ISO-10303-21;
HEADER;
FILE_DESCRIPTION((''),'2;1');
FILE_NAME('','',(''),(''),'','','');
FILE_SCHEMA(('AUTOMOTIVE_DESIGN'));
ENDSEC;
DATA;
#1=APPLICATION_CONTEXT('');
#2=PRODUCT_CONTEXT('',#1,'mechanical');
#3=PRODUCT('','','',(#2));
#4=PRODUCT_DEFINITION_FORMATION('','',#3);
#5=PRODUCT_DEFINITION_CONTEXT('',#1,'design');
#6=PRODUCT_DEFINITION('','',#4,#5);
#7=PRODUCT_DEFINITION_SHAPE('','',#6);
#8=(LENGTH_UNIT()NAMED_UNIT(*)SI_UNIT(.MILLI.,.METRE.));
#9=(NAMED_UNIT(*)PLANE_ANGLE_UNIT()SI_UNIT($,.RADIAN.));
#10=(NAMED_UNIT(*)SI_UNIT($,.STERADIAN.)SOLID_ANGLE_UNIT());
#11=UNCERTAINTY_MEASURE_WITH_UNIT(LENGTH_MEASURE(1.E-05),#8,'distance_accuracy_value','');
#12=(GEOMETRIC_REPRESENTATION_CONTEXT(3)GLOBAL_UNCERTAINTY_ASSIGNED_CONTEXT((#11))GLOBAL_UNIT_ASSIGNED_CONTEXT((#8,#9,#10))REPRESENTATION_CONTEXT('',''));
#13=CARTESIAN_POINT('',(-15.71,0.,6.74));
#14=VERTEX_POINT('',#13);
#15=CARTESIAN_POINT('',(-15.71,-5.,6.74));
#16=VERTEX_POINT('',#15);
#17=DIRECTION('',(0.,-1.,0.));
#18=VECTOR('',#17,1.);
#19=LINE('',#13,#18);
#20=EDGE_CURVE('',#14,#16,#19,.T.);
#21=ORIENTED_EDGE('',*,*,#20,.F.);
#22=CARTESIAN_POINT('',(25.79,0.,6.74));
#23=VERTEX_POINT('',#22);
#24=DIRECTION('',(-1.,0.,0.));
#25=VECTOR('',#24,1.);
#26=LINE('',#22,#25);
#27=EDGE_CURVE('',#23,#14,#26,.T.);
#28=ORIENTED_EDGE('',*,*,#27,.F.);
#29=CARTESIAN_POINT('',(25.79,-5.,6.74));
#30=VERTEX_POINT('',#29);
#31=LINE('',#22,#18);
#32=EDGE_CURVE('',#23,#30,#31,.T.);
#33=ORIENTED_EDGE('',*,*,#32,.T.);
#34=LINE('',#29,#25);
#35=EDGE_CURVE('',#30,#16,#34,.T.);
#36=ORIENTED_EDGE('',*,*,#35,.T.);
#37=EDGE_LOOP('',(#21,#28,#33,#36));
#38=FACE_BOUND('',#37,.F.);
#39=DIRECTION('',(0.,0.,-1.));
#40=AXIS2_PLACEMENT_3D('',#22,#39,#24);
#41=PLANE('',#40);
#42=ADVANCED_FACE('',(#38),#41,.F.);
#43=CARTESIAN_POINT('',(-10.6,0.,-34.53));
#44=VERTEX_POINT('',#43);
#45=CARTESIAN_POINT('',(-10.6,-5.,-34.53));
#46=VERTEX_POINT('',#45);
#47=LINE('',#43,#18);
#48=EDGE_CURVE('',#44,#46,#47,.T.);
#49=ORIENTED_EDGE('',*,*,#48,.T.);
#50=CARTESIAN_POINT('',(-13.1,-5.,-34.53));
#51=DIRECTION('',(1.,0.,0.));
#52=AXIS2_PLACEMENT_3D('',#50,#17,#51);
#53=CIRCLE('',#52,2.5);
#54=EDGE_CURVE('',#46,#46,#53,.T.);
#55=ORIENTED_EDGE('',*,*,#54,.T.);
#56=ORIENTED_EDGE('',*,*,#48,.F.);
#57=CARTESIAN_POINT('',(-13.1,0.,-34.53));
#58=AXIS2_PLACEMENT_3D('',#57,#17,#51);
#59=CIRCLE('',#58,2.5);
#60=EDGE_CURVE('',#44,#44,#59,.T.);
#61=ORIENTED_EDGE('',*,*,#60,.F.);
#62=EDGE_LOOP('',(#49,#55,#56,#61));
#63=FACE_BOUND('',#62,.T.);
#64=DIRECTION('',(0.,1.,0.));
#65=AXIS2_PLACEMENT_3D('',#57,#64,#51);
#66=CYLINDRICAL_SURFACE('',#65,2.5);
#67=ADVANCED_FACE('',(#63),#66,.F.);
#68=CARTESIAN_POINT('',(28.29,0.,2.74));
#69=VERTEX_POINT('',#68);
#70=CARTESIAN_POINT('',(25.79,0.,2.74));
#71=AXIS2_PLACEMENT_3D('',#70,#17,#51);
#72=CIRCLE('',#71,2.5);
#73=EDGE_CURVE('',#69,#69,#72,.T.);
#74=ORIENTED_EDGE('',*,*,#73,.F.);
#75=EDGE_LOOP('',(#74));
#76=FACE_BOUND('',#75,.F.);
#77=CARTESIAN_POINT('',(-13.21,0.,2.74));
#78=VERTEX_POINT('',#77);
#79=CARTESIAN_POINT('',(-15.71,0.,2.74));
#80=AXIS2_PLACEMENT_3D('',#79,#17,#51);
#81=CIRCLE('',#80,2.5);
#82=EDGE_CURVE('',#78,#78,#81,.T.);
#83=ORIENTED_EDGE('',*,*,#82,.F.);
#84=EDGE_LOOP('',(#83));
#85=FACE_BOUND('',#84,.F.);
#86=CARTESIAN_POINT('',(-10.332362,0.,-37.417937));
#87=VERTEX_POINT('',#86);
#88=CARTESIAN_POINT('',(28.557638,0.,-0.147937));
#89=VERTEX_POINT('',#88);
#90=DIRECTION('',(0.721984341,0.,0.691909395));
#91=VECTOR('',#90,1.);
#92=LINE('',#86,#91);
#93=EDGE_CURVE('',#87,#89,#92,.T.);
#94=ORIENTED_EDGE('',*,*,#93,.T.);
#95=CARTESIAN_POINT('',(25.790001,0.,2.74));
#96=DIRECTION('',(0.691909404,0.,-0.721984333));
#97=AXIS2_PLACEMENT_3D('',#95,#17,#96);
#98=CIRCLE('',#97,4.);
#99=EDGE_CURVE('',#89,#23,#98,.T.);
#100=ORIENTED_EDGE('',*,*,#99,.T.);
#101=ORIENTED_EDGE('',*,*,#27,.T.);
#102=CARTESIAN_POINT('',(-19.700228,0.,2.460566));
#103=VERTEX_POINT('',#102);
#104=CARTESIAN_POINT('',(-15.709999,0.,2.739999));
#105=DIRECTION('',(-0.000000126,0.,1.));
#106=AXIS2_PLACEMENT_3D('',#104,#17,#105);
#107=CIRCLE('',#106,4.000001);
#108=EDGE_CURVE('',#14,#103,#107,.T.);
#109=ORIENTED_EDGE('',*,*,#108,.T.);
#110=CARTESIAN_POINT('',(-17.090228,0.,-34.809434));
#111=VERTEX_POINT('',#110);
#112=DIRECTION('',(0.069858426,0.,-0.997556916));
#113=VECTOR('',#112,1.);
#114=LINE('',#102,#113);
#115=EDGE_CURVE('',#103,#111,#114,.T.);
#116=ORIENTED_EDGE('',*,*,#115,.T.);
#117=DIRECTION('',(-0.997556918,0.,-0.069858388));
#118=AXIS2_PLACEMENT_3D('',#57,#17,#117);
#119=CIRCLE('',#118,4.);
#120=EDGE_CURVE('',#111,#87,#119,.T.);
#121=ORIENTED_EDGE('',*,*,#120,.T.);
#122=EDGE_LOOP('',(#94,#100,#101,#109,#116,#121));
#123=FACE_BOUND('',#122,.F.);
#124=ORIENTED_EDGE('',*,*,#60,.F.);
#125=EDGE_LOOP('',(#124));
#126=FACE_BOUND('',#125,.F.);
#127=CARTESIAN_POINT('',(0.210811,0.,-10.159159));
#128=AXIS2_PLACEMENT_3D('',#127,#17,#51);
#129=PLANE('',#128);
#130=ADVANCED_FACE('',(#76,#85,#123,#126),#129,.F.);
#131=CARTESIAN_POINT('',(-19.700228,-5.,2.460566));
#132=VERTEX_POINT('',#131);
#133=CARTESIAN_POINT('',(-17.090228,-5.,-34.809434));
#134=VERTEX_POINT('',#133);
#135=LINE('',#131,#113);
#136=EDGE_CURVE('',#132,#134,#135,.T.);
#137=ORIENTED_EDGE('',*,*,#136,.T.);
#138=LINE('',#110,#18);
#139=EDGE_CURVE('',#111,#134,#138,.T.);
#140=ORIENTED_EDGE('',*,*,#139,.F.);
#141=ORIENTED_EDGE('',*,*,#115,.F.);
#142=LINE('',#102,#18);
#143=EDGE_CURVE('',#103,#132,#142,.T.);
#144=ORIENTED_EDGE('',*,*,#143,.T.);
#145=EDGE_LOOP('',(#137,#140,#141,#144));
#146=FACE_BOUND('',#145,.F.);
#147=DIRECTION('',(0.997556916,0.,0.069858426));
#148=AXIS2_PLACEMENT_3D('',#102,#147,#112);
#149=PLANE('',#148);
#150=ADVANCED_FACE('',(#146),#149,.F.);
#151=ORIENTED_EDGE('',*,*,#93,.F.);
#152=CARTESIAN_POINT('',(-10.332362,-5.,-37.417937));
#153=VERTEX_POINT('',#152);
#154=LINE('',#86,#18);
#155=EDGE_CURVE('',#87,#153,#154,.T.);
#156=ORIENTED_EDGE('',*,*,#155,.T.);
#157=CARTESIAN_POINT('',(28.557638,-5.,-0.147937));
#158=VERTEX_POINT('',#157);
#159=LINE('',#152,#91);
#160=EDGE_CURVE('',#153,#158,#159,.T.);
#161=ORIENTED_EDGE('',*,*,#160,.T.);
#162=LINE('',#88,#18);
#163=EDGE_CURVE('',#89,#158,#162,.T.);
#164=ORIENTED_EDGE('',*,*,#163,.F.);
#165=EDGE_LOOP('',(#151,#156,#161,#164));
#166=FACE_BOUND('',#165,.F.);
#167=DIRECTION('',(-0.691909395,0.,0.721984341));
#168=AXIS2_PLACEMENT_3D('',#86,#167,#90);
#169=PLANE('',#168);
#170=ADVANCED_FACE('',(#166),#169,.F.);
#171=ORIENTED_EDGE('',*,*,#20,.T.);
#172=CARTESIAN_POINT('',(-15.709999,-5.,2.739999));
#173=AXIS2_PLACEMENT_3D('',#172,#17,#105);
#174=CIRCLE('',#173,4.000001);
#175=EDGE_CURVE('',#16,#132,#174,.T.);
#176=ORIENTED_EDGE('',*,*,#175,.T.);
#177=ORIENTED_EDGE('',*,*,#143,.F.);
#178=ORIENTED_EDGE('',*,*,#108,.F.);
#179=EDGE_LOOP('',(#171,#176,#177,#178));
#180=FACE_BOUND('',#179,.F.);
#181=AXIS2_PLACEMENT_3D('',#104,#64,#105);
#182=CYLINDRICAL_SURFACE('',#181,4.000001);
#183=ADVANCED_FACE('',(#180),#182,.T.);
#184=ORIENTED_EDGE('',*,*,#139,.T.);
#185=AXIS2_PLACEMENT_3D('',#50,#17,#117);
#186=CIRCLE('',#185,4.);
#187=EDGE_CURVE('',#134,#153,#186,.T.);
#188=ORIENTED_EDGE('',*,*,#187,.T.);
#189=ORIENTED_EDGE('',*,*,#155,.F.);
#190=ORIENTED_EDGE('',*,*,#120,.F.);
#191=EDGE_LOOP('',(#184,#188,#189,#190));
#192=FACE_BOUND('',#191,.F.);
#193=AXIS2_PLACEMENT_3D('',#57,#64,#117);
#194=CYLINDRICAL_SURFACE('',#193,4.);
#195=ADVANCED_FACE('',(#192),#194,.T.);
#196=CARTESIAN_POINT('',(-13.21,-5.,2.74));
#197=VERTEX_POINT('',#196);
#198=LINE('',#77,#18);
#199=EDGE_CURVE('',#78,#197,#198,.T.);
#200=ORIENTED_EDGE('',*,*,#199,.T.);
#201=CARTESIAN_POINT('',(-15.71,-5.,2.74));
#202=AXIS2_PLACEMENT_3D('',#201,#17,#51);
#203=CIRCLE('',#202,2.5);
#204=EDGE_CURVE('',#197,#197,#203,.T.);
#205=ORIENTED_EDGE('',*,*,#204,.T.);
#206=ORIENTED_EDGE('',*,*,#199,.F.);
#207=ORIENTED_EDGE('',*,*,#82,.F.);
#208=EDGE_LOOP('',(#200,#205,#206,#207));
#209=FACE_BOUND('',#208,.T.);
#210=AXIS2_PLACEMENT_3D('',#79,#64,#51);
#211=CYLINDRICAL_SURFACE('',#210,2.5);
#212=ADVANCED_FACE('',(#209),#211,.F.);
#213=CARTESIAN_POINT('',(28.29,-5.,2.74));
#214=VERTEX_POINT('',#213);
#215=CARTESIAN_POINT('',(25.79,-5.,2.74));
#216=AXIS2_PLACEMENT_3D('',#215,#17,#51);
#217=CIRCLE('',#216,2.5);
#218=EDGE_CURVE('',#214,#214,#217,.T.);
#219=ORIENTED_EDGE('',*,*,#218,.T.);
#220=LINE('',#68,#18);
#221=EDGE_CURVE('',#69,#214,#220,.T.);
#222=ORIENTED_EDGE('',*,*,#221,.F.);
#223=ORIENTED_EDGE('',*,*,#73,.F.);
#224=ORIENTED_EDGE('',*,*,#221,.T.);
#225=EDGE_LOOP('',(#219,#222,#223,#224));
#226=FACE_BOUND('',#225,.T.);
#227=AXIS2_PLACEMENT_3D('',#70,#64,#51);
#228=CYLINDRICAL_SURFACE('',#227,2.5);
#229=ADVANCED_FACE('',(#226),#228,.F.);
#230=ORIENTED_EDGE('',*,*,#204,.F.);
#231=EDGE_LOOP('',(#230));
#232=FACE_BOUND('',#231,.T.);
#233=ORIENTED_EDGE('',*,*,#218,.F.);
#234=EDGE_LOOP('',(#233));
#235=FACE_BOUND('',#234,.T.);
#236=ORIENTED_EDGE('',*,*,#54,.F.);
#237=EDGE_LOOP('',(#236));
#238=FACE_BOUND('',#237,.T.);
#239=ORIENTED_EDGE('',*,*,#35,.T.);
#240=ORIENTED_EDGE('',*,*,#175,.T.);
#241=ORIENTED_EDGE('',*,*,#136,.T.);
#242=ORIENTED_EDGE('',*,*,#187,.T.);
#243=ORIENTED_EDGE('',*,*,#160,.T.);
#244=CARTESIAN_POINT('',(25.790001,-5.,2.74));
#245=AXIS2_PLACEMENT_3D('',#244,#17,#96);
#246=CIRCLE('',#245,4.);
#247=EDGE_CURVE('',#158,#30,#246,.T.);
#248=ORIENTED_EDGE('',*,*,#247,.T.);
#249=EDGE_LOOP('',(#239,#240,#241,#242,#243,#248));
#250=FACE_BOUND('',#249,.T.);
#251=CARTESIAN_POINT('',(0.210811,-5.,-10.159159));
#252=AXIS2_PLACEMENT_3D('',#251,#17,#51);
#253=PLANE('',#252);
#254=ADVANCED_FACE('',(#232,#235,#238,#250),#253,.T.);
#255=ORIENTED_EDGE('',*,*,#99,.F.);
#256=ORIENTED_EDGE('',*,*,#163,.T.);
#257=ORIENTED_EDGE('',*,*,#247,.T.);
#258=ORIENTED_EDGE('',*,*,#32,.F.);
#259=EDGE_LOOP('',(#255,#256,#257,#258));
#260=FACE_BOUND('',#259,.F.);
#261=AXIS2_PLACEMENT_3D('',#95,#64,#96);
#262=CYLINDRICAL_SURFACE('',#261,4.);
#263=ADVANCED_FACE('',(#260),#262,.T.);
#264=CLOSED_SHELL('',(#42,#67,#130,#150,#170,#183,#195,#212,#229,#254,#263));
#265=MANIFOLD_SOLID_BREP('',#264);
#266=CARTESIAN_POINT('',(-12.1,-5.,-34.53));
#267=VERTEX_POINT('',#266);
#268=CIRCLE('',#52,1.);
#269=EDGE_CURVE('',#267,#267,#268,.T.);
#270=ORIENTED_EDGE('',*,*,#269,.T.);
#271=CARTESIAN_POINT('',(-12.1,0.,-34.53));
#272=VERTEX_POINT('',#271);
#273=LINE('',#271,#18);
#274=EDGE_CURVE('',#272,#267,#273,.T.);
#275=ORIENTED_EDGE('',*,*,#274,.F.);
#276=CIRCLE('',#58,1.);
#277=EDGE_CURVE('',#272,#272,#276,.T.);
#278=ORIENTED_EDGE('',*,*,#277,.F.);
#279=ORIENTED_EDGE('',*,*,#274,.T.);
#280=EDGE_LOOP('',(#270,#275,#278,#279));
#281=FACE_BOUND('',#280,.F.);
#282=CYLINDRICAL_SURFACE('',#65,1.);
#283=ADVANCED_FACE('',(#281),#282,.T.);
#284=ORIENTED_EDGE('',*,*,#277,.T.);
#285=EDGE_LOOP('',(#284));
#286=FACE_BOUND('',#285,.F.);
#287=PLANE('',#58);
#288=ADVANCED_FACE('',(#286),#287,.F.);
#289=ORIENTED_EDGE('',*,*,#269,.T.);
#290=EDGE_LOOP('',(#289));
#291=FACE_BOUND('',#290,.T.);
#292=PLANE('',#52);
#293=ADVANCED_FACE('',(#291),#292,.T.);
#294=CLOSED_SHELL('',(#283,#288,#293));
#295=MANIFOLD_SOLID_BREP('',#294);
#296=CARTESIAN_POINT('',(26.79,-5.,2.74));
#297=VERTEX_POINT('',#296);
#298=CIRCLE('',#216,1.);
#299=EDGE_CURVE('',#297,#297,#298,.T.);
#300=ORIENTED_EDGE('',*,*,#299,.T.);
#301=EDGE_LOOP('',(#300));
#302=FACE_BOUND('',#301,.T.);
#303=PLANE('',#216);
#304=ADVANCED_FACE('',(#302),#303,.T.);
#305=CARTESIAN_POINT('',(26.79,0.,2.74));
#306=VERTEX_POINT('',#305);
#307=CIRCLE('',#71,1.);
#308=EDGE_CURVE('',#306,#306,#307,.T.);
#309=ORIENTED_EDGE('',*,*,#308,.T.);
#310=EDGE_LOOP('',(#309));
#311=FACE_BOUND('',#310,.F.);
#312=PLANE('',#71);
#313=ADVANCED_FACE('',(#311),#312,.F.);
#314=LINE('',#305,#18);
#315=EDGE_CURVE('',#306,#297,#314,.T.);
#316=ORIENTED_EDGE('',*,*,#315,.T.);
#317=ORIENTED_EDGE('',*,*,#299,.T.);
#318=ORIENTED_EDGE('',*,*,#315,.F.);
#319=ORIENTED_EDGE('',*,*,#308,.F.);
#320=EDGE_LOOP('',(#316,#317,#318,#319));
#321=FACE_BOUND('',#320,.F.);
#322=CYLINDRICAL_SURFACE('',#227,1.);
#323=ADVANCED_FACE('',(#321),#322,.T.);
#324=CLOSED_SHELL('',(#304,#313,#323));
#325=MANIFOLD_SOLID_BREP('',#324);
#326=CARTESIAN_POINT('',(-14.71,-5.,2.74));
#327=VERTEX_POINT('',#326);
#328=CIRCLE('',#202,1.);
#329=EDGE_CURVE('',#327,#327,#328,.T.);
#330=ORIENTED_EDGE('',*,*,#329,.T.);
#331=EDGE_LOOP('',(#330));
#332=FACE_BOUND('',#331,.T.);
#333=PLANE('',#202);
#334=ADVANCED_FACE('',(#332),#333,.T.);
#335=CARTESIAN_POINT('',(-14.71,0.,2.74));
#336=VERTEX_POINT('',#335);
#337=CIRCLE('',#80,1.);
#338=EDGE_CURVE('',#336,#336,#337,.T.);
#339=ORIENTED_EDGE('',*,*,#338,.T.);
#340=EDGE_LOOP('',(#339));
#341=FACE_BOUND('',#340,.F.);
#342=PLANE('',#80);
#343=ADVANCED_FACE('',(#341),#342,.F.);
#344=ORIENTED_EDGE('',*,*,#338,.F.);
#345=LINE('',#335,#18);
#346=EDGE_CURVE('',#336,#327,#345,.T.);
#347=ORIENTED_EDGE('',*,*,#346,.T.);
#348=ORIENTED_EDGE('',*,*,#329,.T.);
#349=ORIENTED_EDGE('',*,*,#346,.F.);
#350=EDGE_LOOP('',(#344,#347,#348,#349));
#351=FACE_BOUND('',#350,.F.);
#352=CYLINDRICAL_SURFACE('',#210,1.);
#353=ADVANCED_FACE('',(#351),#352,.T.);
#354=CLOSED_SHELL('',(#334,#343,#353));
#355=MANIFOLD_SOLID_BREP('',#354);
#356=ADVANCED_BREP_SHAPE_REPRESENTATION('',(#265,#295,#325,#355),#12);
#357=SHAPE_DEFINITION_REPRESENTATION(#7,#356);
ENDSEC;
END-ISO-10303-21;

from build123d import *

# Parameters (mm, degrees)
F0_R     = 2.5
F0_R_2   = 1
F1_DEPTH = 5


with BuildPart() as f1:
    # F0 (on Front) → F1 (new body)
    with BuildSketch(Plane.XZ):
        with BuildLine():
            Line((25.79, 6.74), (-15.71, 6.74))
            ThreePointArc((-15.71, 6.74), (-18.635554, 5.467844), (-19.700228, 2.460566))
            Line((-19.700228, 2.460566), (-17.090228, -34.809434))
            ThreePointArc((-17.090228, -34.809434), (-14.540401, -38.261655), (-10.332362, -37.417937))
            Line((-10.332362, -37.417937), (28.557638, -0.147937))
            ThreePointArc((28.557638, -0.147937), (29.501587, 4.23135), (25.79, 6.74))
        make_face()
        with Locations((-13.1, -34.53)):
            Circle(F0_R, mode=Mode.SUBTRACT)
        with Locations((-15.71, 2.74)):
            Circle(F0_R, mode=Mode.SUBTRACT)
        with Locations((25.79, 2.74)):
            Circle(F0_R, mode=Mode.SUBTRACT)
        with Locations((-15.71, 2.74)):
            Circle(F0_R_2)
        with Locations((25.79, 2.74)):
            Circle(F0_R_2)
        with Locations((-13.1, -34.53)):
            Circle(F0_R_2)
    extrude(amount=F1_DEPTH)


solid = f1.part
